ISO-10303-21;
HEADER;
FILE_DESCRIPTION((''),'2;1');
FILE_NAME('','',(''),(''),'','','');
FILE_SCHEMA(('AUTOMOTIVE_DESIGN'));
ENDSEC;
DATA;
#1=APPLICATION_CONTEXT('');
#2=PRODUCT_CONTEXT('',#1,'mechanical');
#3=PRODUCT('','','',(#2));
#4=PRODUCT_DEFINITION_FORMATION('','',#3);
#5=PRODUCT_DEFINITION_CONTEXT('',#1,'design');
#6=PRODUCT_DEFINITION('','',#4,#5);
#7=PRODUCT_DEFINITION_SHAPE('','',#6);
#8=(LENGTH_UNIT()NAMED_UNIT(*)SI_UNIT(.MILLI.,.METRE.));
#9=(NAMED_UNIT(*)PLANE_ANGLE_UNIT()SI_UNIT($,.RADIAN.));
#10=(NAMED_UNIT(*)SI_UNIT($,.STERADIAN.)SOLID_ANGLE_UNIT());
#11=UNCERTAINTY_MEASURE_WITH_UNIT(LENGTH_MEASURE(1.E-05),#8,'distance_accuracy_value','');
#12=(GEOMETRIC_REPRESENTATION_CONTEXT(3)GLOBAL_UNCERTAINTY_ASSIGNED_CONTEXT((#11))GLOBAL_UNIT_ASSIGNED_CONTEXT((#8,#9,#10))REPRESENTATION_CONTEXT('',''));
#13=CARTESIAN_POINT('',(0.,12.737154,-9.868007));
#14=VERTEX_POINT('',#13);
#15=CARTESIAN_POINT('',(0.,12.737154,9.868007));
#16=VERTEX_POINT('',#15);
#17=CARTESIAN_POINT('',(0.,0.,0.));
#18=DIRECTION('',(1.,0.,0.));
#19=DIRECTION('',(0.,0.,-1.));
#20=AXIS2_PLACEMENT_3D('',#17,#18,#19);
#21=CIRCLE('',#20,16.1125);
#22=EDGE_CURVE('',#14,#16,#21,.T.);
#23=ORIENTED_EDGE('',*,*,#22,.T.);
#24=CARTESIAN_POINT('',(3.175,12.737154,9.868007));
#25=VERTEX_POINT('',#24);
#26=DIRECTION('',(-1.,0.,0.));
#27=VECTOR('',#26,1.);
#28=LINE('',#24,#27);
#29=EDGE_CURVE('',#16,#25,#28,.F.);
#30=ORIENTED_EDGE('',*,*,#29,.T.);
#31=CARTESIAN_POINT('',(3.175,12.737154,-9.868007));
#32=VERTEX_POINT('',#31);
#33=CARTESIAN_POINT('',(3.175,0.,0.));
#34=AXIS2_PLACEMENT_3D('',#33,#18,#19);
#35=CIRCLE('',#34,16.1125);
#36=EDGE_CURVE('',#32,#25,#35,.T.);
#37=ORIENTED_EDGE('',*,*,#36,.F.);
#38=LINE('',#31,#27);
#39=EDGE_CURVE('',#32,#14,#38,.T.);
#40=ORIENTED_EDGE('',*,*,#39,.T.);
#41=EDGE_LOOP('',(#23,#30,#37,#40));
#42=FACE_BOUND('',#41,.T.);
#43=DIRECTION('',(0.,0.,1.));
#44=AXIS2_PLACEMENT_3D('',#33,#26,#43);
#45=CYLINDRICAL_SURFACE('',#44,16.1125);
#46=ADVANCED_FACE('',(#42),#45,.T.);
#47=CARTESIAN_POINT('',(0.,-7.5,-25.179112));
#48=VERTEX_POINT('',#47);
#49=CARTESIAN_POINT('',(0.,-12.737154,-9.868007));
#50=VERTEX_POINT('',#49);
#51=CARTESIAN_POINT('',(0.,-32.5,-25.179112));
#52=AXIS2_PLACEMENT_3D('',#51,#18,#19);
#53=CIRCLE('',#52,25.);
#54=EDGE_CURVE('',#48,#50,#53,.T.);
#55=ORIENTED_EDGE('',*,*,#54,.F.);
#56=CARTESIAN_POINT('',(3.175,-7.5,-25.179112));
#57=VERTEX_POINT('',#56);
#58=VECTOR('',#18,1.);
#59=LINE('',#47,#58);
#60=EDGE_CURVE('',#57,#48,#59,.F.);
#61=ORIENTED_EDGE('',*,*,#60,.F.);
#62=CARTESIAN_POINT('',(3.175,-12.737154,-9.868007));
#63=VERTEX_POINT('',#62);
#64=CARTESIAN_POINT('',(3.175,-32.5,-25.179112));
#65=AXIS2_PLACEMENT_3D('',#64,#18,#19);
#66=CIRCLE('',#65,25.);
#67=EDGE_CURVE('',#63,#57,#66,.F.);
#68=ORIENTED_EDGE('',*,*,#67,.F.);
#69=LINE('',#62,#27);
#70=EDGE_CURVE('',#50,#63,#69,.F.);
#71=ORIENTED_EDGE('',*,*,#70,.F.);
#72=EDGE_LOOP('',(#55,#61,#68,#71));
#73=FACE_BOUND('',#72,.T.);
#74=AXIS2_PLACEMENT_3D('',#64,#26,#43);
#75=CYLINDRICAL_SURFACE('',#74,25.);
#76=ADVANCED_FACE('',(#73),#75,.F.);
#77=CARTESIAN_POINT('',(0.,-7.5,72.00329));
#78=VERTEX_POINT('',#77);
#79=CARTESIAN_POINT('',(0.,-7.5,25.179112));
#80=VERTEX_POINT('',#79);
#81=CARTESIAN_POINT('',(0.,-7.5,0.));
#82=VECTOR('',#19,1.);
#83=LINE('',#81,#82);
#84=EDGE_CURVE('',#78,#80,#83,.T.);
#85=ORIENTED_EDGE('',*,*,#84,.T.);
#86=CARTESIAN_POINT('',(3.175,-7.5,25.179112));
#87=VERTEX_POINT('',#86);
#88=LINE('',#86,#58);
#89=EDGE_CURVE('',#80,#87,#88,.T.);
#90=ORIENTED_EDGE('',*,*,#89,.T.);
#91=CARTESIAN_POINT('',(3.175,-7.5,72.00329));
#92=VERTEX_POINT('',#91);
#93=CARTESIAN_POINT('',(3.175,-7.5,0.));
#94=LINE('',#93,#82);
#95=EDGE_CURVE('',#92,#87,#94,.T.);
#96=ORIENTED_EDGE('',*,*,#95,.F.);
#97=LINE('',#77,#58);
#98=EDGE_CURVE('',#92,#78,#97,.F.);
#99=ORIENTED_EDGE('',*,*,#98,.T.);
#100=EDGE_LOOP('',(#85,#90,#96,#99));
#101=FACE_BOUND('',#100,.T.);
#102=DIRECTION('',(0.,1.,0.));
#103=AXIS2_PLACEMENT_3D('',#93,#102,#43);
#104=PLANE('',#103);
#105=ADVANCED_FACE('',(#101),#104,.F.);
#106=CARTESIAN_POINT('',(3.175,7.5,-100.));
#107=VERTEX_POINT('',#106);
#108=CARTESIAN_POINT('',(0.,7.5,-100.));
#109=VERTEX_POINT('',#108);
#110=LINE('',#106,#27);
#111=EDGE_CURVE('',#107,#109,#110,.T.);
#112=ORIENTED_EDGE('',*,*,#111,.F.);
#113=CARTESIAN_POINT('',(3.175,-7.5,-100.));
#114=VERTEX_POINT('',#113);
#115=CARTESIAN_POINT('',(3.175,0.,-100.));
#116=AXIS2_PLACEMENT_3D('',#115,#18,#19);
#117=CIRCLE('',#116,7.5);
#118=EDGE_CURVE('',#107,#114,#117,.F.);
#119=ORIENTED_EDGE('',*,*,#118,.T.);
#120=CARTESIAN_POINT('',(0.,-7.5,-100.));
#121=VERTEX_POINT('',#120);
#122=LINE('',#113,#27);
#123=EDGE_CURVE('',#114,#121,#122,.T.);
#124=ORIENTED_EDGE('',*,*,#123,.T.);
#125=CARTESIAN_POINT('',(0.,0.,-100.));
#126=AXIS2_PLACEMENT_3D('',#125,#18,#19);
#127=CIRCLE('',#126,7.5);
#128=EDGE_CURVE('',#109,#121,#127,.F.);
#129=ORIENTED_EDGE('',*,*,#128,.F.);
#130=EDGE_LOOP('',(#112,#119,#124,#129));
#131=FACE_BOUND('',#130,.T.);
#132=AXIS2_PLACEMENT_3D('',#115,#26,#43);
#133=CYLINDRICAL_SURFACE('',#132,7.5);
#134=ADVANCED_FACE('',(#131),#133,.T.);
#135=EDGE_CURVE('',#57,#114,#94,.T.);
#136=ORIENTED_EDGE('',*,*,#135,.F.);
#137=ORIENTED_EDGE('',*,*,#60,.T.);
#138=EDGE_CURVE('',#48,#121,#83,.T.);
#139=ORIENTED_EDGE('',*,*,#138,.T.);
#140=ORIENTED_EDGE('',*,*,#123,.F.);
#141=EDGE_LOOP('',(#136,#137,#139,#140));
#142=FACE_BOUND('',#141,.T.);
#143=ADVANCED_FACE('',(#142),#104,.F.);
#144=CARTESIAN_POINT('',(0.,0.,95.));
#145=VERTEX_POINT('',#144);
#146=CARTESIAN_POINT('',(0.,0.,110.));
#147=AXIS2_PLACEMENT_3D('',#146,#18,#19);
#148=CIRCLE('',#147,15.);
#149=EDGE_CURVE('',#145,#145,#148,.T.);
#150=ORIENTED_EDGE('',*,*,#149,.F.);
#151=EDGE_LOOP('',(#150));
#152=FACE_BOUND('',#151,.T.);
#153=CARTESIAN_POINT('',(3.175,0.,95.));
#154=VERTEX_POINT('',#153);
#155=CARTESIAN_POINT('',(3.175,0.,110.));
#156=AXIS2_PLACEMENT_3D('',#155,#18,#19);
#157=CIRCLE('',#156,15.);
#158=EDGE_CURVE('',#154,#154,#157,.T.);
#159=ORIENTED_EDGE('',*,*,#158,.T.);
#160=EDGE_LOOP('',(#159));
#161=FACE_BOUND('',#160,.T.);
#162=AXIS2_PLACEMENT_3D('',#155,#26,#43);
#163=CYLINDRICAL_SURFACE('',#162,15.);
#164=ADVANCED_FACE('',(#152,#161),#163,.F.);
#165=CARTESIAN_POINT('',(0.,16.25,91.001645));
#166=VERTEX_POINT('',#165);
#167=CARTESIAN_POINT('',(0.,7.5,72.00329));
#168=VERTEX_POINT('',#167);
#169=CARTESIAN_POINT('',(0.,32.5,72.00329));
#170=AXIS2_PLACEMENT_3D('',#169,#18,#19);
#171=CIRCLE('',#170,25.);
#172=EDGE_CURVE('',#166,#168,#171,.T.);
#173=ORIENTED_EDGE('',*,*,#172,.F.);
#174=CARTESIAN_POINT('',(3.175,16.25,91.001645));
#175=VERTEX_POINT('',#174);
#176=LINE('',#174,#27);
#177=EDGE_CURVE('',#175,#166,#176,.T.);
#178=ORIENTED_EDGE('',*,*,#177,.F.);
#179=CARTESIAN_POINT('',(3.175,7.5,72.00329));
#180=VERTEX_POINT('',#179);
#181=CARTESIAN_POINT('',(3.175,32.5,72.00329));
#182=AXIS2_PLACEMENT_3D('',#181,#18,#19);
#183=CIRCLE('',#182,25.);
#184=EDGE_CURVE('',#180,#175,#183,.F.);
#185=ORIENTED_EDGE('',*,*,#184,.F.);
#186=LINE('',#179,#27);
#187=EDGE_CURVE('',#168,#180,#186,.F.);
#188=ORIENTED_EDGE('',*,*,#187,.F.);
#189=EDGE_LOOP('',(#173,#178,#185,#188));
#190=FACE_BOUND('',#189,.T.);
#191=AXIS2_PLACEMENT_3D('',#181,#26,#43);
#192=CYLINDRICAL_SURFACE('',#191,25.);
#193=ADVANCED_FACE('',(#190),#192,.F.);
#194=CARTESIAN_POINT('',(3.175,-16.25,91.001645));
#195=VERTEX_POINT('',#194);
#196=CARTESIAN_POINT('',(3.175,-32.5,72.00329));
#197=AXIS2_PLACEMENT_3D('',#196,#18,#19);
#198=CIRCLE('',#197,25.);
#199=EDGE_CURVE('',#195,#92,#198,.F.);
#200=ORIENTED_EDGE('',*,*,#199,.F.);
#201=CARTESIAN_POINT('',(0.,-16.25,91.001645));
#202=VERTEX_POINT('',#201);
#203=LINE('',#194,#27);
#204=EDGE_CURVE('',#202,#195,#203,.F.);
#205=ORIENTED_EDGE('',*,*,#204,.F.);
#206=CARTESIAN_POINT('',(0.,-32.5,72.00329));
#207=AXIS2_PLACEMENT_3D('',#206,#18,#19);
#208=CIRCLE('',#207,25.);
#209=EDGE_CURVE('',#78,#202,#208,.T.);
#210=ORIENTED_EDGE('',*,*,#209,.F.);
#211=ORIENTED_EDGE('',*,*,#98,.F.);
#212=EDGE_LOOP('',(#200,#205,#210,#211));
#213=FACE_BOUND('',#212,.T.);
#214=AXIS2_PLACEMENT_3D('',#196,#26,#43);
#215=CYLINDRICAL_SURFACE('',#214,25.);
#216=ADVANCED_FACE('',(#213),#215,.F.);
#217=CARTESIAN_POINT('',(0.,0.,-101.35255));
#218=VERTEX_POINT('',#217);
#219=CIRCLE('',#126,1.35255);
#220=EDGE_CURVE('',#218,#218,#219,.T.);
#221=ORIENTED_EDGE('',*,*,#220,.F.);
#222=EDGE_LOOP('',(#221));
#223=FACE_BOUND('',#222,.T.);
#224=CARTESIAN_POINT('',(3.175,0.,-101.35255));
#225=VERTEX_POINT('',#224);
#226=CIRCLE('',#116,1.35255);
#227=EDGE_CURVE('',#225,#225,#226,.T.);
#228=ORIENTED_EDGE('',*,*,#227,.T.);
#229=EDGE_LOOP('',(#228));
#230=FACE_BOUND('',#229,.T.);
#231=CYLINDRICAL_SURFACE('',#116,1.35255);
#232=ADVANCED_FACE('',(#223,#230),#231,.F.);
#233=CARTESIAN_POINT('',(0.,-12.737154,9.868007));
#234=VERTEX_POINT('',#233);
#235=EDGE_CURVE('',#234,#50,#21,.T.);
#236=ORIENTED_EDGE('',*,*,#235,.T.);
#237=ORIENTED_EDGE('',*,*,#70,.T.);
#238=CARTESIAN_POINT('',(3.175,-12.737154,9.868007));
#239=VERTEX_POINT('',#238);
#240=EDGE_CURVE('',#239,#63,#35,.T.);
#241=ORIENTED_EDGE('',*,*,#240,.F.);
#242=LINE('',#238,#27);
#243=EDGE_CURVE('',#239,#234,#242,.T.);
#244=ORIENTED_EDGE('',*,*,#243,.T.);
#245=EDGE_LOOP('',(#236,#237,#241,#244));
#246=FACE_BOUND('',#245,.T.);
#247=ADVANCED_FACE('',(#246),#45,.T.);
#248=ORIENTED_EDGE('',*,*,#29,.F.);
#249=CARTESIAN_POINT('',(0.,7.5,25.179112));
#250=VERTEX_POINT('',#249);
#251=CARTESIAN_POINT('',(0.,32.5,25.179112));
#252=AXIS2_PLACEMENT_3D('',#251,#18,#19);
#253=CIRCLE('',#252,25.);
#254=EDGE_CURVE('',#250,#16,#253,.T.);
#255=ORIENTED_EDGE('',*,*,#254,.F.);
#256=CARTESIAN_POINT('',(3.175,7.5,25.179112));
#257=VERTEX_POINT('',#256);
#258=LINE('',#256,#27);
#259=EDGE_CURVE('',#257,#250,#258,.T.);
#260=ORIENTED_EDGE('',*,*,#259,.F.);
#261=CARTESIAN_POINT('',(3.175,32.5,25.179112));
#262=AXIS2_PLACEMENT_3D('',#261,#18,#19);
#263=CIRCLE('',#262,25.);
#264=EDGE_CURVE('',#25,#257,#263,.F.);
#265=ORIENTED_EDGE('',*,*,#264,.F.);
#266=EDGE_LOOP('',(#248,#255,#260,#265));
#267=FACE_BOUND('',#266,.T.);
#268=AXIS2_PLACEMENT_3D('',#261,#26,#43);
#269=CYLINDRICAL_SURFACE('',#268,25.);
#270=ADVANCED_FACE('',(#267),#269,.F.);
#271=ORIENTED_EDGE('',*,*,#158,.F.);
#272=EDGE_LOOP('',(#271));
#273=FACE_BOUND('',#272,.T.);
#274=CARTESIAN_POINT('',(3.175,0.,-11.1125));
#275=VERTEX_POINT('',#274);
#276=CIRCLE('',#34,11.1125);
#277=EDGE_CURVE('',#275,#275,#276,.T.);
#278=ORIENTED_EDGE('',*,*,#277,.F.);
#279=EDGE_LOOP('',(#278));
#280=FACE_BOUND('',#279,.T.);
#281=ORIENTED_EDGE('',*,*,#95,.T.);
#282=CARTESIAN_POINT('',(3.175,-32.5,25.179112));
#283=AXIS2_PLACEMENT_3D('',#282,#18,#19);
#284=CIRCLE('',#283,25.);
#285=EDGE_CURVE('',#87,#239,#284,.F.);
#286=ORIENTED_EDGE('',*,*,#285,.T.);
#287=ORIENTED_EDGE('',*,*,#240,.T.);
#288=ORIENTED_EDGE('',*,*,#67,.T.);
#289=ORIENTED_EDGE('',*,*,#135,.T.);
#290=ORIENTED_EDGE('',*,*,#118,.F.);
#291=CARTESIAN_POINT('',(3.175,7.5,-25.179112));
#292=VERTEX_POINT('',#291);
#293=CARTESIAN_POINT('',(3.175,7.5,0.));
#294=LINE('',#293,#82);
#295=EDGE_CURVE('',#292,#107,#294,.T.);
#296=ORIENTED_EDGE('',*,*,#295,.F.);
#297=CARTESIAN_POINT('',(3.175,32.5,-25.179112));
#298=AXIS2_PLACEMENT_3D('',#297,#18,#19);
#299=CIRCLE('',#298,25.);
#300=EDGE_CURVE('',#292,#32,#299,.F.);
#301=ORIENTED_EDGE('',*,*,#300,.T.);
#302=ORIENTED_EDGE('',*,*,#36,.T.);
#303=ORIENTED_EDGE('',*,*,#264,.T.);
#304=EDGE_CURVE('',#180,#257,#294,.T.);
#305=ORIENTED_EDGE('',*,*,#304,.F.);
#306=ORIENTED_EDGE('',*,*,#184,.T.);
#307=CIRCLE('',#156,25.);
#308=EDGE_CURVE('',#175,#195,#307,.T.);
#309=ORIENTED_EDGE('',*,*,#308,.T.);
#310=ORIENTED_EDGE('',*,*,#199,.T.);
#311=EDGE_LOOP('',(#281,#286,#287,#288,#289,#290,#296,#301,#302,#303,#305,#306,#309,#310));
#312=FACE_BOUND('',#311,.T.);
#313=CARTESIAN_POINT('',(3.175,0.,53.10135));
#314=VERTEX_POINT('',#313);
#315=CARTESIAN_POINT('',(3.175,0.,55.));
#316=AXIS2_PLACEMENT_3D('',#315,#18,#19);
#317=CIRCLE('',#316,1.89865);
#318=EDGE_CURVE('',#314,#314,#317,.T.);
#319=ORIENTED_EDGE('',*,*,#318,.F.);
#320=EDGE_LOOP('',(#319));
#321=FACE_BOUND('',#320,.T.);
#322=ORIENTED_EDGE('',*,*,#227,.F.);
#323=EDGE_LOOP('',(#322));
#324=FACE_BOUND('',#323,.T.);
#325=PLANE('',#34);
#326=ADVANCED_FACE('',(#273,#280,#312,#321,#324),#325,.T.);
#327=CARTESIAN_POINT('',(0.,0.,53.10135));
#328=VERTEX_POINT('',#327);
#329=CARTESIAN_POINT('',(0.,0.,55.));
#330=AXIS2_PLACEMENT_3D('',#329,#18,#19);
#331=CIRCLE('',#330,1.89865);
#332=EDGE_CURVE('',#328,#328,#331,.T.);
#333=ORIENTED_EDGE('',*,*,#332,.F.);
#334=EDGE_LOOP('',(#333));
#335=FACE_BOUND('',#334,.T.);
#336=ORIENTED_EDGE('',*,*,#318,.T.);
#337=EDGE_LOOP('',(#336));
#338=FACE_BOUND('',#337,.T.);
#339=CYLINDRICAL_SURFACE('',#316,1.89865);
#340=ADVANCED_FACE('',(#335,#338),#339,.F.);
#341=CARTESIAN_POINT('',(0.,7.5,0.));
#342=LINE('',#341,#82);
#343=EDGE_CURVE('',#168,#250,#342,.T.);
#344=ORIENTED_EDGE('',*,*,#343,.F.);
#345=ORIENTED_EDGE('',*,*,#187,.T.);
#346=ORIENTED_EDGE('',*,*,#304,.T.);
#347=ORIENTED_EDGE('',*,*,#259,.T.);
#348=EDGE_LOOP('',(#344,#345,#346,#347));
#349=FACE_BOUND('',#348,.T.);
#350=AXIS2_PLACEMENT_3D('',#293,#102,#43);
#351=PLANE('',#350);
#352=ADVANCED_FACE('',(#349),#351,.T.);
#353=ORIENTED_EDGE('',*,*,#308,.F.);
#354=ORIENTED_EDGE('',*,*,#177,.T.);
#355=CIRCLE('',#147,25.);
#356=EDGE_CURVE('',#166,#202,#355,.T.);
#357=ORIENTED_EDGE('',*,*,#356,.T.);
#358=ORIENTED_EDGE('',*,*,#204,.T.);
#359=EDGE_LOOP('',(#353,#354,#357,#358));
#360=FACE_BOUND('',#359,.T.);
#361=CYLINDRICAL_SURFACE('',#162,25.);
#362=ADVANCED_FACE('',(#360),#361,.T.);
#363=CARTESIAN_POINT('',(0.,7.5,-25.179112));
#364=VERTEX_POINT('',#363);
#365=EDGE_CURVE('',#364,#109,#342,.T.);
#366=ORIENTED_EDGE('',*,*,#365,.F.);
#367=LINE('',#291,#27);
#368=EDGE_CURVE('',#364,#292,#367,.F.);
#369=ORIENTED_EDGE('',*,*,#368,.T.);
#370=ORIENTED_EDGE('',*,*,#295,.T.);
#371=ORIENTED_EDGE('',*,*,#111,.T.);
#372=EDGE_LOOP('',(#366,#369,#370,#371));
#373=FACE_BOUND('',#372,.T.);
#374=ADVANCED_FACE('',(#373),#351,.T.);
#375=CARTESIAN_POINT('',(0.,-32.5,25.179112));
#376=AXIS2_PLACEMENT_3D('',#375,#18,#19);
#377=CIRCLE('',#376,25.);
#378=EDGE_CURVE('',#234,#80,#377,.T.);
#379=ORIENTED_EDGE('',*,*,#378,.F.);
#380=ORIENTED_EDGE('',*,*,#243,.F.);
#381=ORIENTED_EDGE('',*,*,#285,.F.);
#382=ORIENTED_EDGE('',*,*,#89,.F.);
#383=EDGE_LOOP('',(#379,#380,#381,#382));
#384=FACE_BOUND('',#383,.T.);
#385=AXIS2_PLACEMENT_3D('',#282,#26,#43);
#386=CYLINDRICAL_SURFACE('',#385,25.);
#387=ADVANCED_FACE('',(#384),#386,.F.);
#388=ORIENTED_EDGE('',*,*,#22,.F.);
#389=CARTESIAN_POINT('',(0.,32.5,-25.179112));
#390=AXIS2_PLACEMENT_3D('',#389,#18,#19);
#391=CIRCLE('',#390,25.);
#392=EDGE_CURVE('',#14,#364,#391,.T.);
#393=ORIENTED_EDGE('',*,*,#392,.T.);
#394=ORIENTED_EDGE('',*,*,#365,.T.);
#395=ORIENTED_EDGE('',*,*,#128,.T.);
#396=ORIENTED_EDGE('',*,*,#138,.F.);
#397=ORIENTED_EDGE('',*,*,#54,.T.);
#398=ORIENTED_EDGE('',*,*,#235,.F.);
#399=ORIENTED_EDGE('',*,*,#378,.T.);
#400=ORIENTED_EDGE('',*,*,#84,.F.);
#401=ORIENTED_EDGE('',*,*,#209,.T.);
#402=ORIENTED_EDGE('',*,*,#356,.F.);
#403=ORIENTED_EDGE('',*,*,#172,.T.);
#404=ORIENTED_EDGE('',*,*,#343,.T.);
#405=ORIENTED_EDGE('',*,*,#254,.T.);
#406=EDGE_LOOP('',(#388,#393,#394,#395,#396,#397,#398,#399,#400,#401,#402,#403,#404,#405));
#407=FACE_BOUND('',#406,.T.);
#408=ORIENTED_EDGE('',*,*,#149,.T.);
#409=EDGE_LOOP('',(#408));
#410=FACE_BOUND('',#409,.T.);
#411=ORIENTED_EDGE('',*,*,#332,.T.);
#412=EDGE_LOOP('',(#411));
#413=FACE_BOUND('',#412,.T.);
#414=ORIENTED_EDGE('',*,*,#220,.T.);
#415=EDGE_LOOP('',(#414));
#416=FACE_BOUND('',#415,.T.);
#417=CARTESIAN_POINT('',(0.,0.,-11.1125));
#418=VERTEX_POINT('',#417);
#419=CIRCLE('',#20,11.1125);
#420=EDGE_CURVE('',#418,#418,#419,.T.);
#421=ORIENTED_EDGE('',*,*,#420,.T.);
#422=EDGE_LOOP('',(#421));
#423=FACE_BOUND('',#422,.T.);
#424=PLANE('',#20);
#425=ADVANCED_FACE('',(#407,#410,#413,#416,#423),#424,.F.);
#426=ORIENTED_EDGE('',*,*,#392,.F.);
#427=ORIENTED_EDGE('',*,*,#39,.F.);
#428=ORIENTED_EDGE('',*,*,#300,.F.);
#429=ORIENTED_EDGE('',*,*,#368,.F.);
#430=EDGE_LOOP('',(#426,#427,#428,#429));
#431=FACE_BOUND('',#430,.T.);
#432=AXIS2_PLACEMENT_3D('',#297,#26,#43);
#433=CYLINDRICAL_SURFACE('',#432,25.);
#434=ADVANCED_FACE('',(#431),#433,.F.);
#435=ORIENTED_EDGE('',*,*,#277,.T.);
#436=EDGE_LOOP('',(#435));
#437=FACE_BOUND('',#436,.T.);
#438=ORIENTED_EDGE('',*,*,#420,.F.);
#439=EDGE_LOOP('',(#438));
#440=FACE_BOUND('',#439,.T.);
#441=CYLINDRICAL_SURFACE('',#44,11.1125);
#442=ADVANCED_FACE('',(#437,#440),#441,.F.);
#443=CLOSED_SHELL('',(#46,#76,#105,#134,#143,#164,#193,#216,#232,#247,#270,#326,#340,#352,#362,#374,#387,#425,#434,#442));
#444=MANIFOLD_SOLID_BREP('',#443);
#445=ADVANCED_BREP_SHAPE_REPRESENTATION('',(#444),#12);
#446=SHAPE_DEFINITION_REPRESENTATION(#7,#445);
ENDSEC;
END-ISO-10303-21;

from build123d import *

# Parameters (mm, degrees)
SKETCH1_R             = 15
SKETCH1_R_2           = 11.1125
BOSS_EXTRUDE1_DEPTH   = 3.175
F_6_CLEARANCE_HOLE1_D = 3.7973
F_6_32_TAPPED_HOLE1_D = 2.7051
FILLET1_R             = 25


with BuildPart() as part:
    # Sketch1 → Boss-Extrude1 (new body)
    with BuildSketch(Plane(origin=(0, 0, 0), x_dir=(0, 0, -1), z_dir=(1, 0, 0))):
        with BuildLine():
            ThreePointArc((-86.151519965, 7.5), (-135, 0), (-86.151519965, -7.5))
            Line((-86.151519965, -7.5), (-14.260527909, -7.5))
            ThreePointArc((-14.260527909, -7.5), (0, -16.1125), (14.260527909, -7.5))
            Line((14.260527909, -7.5), (100, -7.5))
            ThreePointArc((100, -7.5), (107.5, 0), (100, 7.5))
            Line((100, 7.5), (14.260527909, 7.5))
            ThreePointArc((14.260527909, 7.5), (0, 16.1125), (-14.260527909, 7.5))
            Line((-14.260527909, 7.5), (-86.151519965, 7.5))
        make_face()
        with Locations((-110, 0)):
            Circle(SKETCH1_R, mode=Mode.SUBTRACT)
        Circle(SKETCH1_R_2, mode=Mode.SUBTRACT)
    extrude(amount=BOSS_EXTRUDE1_DEPTH)

    # #6 Clearance Hole1 (through all)
    with Locations(Plane(origin=(3.175, 0, 0), x_dir=(0, 0, -1), z_dir=(1, 0, 0))):
        with Locations((-55, 0)):
            Hole(F_6_CLEARANCE_HOLE1_D / 2)

    # #6-32 Tapped Hole1 (through all)
    with Locations(Plane(origin=(3.175, 0, 0), x_dir=(0, 0, -1), z_dir=(1, 0, 0))):
        with Locations((100, 0)):
            Hole(F_6_32_TAPPED_HOLE1_D / 2)

    # Fillet1
    fillet1_edges = [part.edges().sort_by_distance(p)[0] for p in [
        (1.5875, 7.5, 86.151519965),
        (1.5875, 7.5, 14.260527909),
        (1.5875, 7.5, -14.260527909),
        (1.5875, -7.5, -14.260527909),
        (1.5875, -7.5, 14.260527909),
        (1.5875, -7.5, 86.151519965),
    ]]
    fillet(fillet1_edges, radius=FILLET1_R)


solid = part.part
